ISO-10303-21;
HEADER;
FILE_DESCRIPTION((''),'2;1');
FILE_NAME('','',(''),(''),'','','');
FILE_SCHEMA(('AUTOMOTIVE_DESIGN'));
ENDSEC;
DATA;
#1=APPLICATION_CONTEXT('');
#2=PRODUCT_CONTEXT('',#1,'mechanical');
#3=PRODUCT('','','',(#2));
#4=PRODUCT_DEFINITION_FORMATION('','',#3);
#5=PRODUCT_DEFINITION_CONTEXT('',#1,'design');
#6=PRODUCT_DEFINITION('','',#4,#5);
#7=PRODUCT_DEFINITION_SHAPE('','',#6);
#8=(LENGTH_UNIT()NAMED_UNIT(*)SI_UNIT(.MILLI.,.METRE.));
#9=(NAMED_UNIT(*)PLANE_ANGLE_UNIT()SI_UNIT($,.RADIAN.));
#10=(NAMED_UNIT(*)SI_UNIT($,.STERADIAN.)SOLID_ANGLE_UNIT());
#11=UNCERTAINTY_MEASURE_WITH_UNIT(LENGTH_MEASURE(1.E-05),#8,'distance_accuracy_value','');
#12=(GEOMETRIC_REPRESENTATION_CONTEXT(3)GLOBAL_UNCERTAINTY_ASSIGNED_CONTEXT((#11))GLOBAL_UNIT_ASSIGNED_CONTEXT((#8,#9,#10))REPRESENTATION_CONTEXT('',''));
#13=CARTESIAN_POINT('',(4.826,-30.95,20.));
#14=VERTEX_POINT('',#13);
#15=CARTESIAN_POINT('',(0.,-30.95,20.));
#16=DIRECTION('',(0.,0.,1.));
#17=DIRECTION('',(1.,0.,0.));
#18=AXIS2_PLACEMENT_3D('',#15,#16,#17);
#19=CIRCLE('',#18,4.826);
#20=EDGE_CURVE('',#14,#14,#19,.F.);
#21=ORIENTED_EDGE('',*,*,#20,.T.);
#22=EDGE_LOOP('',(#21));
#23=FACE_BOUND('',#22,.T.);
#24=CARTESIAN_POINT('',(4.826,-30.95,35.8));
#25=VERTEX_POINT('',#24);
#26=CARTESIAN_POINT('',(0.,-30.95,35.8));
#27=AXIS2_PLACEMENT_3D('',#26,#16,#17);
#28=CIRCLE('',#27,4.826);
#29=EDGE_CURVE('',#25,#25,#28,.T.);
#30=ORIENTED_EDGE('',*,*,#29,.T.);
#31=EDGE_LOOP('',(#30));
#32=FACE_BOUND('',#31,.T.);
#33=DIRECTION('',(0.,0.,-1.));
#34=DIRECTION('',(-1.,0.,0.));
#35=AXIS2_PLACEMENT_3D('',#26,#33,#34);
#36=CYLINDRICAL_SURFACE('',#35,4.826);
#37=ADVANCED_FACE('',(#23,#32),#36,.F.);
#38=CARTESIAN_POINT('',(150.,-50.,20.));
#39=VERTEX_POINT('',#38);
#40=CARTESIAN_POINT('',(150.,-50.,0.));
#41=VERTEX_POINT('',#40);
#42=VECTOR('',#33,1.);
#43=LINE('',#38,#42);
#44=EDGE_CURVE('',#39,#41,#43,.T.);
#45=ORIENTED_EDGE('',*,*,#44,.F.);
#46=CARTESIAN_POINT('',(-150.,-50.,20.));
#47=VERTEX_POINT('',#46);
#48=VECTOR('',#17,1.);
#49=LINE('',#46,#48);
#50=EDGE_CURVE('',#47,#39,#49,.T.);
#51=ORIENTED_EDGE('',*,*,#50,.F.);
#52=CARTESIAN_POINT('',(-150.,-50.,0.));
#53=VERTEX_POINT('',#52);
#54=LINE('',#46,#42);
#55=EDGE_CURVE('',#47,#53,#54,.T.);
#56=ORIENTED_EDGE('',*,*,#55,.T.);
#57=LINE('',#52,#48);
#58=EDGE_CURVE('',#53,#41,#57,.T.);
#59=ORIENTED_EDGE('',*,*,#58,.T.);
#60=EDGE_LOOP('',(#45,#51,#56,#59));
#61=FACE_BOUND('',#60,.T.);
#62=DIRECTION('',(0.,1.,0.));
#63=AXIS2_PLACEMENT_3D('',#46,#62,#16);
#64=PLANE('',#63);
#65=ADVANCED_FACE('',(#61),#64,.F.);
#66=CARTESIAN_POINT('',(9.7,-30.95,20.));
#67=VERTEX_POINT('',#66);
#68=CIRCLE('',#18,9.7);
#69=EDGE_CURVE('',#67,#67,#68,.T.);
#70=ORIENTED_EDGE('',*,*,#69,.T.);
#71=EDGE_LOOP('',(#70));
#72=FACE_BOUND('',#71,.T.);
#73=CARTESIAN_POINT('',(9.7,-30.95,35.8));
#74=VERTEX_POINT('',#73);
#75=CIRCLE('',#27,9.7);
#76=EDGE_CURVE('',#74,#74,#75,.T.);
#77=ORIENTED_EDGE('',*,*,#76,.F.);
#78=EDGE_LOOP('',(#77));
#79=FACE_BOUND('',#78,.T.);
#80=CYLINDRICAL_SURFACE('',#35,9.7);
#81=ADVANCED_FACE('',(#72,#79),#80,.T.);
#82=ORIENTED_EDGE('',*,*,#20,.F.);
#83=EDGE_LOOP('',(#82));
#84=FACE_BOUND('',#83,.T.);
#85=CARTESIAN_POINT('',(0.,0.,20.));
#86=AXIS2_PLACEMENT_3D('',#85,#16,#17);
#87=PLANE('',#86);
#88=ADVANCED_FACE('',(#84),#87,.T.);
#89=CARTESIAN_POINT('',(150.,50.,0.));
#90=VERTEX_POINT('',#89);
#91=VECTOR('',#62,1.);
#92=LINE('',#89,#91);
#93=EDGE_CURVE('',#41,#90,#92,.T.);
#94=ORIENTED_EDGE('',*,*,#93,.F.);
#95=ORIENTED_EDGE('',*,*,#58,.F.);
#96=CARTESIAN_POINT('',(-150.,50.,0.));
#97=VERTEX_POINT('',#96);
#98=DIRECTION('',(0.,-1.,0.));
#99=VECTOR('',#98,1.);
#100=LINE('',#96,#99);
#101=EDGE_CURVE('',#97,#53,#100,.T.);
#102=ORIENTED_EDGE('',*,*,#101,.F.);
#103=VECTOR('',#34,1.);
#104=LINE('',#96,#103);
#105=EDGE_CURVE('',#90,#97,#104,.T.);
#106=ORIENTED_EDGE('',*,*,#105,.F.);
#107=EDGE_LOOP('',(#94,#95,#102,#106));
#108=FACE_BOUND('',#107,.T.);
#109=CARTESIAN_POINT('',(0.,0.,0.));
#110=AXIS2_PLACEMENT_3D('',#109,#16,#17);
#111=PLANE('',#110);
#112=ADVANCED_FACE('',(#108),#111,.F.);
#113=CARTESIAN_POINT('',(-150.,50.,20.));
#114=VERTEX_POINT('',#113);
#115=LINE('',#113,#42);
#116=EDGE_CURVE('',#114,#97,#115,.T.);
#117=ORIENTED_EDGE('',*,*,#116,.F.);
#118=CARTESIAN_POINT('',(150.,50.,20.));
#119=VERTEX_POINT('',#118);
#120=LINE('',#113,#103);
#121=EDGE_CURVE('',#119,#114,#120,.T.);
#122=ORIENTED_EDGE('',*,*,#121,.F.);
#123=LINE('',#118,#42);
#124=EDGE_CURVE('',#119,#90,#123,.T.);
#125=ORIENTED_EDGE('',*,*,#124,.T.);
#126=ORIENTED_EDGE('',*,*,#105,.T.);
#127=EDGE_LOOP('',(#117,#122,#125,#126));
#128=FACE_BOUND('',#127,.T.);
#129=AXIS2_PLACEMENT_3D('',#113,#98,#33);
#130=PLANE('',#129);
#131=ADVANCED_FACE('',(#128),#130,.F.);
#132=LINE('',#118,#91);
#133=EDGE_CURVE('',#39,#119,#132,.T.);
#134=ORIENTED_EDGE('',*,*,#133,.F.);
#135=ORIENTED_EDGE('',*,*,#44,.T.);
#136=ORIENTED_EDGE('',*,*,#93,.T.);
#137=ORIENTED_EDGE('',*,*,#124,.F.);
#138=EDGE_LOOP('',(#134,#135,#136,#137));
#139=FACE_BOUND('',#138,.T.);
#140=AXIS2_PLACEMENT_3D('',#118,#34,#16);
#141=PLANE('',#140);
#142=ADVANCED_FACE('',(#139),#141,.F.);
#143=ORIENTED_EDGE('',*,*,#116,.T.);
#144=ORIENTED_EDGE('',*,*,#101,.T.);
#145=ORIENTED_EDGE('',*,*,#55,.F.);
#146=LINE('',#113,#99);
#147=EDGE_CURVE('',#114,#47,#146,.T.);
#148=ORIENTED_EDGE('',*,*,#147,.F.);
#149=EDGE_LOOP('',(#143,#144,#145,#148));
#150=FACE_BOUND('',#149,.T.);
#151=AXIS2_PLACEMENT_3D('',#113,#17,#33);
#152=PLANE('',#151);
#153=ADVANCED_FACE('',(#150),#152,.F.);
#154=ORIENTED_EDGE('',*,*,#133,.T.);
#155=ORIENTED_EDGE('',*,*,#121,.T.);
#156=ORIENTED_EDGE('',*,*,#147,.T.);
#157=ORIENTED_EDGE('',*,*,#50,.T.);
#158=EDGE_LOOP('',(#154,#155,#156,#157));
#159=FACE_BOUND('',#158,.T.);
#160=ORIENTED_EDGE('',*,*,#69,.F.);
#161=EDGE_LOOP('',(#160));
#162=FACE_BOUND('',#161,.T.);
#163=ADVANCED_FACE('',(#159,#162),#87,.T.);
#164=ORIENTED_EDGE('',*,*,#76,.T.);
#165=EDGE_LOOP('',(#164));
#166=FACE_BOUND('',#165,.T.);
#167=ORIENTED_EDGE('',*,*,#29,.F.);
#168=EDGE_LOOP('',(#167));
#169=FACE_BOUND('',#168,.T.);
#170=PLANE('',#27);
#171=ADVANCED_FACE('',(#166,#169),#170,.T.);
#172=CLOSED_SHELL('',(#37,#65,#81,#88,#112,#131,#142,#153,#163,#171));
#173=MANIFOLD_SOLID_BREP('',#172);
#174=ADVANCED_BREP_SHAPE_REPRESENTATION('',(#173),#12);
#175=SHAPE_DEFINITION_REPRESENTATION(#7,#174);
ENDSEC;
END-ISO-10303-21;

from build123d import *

# Parameters (mm, degrees)
SKETCH1_W           = 300
SKETCH1_H           = 100
BOSS_EXTRUDE1_DEPTH = 20
SKETCH2_R           = 9.7
SKETCH2_R_2         = 4.826
BOSS_EXTRUDE2_DEPTH = 15.8


with BuildPart() as part:
    # Sketch1 → Boss-Extrude1 (new body)
    with BuildSketch(Plane.XY):
        Rectangle(SKETCH1_W, SKETCH1_H)
    extrude(amount=BOSS_EXTRUDE1_DEPTH)

    # Sketch2 → Boss-Extrude2 (add)
    with BuildSketch(Plane.XY.offset(20)):
        with Locations((0, -30.95)):
            Circle(SKETCH2_R)
        with Locations((0, -30.95)):
            Circle(SKETCH2_R_2, mode=Mode.SUBTRACT)
    extrude(amount=BOSS_EXTRUDE2_DEPTH)


solid = part.part
